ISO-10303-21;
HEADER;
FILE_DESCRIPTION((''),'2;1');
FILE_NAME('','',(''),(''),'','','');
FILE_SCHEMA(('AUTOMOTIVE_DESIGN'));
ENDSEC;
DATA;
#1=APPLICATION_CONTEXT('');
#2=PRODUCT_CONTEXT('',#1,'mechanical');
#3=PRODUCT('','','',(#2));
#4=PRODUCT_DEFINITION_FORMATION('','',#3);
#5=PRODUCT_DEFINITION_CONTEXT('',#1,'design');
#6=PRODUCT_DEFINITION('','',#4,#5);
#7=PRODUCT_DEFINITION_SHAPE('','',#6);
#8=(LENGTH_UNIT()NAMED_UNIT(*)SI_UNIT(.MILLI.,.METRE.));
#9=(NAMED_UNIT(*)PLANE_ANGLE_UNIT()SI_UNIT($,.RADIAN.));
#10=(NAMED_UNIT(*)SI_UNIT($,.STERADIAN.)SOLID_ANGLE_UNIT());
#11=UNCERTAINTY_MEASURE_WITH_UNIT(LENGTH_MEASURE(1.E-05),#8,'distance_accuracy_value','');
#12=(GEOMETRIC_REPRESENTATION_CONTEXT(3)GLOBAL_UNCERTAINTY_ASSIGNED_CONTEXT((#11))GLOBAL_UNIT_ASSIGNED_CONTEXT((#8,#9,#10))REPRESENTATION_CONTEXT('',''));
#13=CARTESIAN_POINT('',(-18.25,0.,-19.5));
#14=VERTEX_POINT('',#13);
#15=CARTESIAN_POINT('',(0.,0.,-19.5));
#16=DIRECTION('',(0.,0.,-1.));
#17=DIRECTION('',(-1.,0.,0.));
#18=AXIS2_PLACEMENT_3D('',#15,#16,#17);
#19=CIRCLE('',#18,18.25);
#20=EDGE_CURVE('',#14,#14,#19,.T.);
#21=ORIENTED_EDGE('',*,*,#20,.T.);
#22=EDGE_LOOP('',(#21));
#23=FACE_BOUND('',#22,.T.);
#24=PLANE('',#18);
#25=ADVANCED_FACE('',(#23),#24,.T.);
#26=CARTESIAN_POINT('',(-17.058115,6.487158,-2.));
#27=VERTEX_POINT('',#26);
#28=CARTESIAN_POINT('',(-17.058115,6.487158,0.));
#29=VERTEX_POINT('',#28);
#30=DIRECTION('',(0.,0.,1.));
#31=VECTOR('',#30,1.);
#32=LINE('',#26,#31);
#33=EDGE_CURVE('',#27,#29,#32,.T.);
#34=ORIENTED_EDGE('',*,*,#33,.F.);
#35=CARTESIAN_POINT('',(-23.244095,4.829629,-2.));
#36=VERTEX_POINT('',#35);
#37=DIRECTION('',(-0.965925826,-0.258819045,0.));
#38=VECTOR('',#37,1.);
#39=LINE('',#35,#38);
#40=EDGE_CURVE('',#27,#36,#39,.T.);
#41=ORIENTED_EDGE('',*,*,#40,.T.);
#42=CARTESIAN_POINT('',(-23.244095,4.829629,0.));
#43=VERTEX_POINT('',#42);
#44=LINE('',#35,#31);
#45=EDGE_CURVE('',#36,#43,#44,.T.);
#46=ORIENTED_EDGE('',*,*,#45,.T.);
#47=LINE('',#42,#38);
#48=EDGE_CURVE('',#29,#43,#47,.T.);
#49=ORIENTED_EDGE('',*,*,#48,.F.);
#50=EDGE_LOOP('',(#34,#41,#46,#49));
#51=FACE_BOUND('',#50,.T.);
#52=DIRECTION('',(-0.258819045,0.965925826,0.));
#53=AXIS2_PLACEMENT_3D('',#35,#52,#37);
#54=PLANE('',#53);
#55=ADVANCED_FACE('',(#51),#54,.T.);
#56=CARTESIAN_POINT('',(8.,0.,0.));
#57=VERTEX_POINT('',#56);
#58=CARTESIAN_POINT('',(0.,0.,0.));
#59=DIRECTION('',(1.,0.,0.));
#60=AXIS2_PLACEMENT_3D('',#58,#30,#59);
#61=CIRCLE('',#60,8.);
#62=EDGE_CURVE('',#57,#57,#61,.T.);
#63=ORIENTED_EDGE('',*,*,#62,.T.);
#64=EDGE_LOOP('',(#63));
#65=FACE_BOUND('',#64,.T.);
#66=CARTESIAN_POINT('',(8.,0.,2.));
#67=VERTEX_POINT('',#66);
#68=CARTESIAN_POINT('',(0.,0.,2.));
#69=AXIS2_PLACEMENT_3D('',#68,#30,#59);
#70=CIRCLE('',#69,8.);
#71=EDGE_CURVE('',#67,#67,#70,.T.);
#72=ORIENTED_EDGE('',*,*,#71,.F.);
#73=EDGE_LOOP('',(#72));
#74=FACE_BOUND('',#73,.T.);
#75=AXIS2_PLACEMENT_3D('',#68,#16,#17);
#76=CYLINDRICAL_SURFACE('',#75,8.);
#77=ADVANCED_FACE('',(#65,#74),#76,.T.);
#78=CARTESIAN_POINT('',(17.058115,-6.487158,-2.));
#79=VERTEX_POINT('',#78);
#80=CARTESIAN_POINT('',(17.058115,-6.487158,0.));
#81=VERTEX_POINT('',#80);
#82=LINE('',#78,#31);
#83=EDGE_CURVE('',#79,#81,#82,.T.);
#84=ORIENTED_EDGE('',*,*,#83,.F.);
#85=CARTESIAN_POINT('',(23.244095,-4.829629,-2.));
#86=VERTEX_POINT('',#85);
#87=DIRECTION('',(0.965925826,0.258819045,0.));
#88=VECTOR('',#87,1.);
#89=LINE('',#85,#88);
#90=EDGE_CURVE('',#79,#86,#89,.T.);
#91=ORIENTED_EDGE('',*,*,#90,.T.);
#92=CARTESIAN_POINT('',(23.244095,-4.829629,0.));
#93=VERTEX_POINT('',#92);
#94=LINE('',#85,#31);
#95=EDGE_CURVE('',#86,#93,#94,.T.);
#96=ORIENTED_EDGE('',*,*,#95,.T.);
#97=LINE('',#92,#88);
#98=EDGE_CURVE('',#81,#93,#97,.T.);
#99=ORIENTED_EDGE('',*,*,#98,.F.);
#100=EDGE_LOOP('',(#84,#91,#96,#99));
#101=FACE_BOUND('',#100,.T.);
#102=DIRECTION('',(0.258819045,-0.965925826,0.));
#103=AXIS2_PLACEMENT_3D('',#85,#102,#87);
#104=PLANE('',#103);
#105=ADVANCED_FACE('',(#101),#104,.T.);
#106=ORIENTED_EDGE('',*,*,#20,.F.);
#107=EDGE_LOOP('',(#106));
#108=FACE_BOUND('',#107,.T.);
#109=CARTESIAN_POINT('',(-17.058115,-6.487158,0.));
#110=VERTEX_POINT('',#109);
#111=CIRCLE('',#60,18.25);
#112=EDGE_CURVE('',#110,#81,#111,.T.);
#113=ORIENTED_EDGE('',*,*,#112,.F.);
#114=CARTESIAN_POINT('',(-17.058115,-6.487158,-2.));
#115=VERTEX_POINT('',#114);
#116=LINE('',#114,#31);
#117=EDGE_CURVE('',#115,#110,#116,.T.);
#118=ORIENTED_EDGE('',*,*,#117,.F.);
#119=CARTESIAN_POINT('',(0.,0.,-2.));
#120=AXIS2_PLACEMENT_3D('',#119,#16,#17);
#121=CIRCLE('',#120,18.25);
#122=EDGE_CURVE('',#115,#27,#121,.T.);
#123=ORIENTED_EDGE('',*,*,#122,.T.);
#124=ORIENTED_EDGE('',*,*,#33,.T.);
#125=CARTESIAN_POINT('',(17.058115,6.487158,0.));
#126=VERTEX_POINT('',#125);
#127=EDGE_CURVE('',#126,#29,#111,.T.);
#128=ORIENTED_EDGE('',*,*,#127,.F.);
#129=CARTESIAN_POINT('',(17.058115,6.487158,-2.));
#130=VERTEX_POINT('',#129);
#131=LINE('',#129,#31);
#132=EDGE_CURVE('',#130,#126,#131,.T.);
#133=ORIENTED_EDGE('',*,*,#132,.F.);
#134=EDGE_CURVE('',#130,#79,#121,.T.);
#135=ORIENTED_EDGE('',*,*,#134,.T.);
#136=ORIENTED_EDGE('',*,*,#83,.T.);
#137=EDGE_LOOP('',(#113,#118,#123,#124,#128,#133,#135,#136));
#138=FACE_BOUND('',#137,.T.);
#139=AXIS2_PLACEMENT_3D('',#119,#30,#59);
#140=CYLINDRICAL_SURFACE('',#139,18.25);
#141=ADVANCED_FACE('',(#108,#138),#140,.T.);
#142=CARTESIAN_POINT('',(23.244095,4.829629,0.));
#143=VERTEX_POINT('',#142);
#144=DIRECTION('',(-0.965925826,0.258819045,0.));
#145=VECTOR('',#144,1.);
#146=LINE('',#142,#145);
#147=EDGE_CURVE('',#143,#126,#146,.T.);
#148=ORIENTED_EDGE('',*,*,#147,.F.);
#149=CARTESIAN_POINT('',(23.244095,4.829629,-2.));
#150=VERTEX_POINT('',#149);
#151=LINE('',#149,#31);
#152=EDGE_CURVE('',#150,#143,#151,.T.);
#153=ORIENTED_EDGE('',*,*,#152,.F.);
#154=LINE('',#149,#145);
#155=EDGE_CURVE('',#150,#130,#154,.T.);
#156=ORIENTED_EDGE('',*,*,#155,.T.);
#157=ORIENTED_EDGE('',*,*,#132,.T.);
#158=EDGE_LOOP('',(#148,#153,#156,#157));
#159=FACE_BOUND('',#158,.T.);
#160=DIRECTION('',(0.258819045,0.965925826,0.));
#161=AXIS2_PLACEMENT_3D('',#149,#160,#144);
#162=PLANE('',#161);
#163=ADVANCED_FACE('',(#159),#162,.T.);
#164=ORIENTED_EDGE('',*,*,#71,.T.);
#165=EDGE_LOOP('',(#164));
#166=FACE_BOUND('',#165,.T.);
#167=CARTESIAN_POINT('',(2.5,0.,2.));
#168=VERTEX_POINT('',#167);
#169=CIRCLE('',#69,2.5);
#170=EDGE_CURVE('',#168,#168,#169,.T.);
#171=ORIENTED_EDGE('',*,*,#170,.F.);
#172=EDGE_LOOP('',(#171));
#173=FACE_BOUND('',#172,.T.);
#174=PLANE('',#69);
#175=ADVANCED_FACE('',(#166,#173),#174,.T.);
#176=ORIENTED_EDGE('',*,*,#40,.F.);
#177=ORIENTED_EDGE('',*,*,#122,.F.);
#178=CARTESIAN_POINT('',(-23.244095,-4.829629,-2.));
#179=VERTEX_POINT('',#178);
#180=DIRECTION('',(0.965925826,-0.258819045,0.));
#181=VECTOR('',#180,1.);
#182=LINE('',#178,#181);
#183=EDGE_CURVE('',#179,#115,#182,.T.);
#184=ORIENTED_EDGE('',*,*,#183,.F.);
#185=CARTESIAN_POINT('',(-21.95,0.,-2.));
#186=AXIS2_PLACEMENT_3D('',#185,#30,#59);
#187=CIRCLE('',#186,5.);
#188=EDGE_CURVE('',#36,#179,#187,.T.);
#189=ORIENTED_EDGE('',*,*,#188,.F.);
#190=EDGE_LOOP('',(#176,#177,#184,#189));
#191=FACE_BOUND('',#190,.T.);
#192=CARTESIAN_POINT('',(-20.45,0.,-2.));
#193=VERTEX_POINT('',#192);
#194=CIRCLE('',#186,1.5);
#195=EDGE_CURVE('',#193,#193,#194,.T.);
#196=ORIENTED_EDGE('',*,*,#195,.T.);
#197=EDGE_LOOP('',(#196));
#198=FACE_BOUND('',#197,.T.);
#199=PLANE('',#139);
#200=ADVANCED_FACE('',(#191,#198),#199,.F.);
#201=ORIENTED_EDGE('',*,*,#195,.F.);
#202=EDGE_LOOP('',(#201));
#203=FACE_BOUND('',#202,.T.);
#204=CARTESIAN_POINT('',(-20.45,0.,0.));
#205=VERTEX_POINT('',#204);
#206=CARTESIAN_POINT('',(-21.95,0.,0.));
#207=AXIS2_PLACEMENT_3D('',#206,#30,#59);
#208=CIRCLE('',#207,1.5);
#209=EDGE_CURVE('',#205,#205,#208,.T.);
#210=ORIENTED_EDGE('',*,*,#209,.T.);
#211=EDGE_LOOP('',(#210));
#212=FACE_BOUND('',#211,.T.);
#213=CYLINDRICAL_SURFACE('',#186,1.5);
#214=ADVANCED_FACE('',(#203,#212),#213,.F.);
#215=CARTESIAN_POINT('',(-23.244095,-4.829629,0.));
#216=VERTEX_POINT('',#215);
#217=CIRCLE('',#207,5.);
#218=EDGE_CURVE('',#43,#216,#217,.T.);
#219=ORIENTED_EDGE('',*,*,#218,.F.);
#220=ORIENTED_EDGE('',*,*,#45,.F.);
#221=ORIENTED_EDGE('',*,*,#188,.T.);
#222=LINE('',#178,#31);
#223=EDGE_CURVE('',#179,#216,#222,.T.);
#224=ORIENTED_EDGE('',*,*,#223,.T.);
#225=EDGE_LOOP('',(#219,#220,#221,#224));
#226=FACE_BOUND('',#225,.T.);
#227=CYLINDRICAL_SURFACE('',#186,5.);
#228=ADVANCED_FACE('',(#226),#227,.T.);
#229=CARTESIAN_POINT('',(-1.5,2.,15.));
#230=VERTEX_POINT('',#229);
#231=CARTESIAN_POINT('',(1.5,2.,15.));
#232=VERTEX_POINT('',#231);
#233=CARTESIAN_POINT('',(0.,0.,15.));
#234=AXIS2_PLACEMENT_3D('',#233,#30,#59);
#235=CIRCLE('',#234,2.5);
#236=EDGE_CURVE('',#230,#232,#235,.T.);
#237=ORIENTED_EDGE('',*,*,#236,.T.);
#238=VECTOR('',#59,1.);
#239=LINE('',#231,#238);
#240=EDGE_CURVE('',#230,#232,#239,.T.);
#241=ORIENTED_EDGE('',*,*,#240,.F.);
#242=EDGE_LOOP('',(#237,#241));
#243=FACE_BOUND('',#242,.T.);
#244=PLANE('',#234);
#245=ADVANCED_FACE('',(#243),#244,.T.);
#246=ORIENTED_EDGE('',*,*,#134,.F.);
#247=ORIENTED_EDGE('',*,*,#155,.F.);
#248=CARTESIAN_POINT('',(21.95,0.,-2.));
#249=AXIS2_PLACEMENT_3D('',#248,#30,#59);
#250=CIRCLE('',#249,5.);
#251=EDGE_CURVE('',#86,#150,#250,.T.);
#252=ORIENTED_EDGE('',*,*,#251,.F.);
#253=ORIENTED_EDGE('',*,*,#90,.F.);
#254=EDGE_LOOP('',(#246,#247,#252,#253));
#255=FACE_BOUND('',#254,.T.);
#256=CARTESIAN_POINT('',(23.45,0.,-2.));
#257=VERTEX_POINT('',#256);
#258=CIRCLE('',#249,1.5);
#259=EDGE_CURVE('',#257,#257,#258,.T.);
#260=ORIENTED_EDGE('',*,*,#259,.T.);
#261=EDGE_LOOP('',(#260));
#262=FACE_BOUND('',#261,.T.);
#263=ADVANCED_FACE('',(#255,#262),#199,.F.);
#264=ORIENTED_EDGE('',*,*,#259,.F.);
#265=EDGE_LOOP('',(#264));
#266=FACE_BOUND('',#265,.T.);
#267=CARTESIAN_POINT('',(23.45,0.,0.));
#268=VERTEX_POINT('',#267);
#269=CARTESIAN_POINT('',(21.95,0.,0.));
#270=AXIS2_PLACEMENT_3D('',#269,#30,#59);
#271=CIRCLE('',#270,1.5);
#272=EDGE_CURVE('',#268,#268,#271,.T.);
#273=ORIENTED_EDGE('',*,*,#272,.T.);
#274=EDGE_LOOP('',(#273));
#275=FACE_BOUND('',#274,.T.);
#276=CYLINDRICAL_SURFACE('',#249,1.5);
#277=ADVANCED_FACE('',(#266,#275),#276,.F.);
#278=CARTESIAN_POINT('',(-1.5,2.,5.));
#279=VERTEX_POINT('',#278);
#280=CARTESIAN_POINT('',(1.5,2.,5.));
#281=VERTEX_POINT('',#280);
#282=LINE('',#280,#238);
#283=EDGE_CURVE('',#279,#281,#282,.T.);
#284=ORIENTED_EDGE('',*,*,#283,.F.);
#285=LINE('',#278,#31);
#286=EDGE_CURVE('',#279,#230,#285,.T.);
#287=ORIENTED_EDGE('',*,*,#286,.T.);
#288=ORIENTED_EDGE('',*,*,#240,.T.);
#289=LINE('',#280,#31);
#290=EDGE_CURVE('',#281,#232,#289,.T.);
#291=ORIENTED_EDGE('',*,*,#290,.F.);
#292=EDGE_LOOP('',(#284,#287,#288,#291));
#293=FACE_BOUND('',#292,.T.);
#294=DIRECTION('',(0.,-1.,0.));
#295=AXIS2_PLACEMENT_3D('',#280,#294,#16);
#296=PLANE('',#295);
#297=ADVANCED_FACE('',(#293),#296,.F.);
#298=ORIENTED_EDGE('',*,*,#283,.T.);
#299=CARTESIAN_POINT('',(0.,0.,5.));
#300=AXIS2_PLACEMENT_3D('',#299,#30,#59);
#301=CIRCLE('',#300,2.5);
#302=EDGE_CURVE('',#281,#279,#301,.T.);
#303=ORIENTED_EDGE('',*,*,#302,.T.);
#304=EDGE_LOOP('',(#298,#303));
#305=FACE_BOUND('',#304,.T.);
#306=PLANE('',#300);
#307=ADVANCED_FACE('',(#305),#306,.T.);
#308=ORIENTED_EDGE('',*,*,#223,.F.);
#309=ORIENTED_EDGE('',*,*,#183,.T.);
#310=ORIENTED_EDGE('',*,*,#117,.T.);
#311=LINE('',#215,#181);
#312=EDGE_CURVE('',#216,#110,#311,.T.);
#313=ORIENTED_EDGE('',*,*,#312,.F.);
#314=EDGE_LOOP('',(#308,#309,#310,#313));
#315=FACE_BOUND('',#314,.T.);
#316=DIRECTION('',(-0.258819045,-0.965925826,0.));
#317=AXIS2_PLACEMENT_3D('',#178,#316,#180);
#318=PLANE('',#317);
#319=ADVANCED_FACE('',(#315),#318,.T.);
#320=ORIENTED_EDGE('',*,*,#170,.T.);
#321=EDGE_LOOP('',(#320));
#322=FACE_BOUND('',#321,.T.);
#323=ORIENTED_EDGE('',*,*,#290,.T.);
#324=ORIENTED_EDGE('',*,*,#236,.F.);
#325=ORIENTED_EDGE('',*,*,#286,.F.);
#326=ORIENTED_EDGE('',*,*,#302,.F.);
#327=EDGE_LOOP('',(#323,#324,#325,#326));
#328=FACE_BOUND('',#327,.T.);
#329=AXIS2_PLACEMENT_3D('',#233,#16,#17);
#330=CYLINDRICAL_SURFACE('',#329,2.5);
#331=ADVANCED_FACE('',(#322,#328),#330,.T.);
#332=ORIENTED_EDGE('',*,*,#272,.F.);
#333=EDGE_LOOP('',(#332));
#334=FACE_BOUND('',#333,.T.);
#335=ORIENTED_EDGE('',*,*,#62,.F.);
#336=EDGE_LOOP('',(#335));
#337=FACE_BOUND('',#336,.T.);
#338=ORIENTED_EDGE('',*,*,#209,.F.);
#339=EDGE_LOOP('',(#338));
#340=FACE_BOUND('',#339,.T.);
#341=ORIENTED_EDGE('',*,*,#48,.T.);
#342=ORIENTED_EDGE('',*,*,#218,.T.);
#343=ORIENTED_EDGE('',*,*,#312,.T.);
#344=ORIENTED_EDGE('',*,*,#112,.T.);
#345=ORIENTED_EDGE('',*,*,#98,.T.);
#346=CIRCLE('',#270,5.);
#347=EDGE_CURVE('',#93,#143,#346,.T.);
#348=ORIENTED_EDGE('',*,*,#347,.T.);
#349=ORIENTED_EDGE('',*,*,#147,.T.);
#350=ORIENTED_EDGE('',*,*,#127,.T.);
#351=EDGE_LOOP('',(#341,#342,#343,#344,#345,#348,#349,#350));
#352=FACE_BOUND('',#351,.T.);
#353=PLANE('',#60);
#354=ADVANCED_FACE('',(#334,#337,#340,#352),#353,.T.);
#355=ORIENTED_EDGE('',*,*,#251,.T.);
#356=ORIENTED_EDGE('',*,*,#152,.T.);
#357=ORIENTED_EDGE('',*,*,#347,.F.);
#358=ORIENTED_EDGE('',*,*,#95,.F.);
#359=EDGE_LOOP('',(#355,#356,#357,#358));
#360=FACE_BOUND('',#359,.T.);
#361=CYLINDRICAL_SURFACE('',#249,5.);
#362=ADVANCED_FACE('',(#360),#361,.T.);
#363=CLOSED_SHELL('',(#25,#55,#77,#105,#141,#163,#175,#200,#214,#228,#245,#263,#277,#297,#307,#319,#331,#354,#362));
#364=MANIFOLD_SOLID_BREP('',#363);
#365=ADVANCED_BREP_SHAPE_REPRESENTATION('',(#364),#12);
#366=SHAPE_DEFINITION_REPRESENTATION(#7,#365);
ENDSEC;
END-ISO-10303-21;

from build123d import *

# Parameters (mm, degrees)
SKETCH1_R           = 1.5
BOSS_EXTRUDE1_DEPTH = 2
SKETCH2_R           = 18.25
BOSS_EXTRUDE2_DEPTH = 17.5
SKETCH3_R           = 8
BOSS_EXTRUDE3_DEPTH = 2
SKETCH4_R           = 2.5
BOSS_EXTRUDE4_DEPTH = 13
CUT_EXTRUDE1_START  = -10
CUT_EXTRUDE1_DEPTH  = 10


with BuildPart() as part:
    # Sketch1 → Boss-Extrude1 (new body)
    with BuildSketch(Plane.XY):
        with BuildLine():
            Line((-23.244095226, 4.829629131), (-17.058114991, 6.48715754))
            ThreePointArc((-17.058114991, 6.48715754), (0, 18.25), (17.058114991, 6.48715754))
            Line((17.058114991, 6.48715754), (23.244095226, 4.829629131))
            ThreePointArc((23.244095226, 4.829629131), (26.95, 0), (23.244095226, -4.829629131))
            Line((23.244095226, -4.829629131), (17.058114991, -6.48715754))
            ThreePointArc((17.058114991, -6.48715754), (0, -18.25), (-17.058114991, -6.48715754))
            Line((-17.058114991, -6.48715754), (-23.244095226, -4.829629131))
            ThreePointArc((-23.244095226, -4.829629131), (-26.95, 0), (-23.244095226, 4.829629131))
        make_face()
        with Locations((-21.95, 0)):
            Circle(SKETCH1_R, mode=Mode.SUBTRACT)
        with Locations((21.95, 0)):
            Circle(SKETCH1_R, mode=Mode.SUBTRACT)
    extrude(amount=-BOSS_EXTRUDE1_DEPTH)

    # Sketch2 → Boss-Extrude2 (add)
    with BuildSketch(Plane(origin=(0, 0, -2), x_dir=(-1, 0, 0), z_dir=(0, 0, -1))):
        with Locations(Location((0, 0, 0), (0, 0, 200.821681464))):
            Circle(SKETCH2_R)
    extrude(amount=BOSS_EXTRUDE2_DEPTH)

    # Sketch3 → Boss-Extrude3 (add)
    with BuildSketch(Plane.XY):
        Circle(SKETCH3_R)
    extrude(amount=BOSS_EXTRUDE3_DEPTH)

    # Sketch4 → Boss-Extrude4 (add)
    with BuildSketch(Plane.XY.offset(2)):
        with Locations(Location((0, 0, 0), (0, 0, 180))):
            Circle(SKETCH4_R)
    extrude(amount=BOSS_EXTRUDE4_DEPTH)

    # Sketch5 → Cut-Extrude1 (cut)
    with BuildSketch(Plane.XY.offset(15).offset(CUT_EXTRUDE1_START)):
        with BuildLine():
            Line((1.5, 2), (-1.5, 2))
            ThreePointArc((-1.5, 2), (0, 2.5), (1.5, 2))
        make_face()
    extrude(amount=CUT_EXTRUDE1_DEPTH, mode=Mode.SUBTRACT)


solid = part.part
